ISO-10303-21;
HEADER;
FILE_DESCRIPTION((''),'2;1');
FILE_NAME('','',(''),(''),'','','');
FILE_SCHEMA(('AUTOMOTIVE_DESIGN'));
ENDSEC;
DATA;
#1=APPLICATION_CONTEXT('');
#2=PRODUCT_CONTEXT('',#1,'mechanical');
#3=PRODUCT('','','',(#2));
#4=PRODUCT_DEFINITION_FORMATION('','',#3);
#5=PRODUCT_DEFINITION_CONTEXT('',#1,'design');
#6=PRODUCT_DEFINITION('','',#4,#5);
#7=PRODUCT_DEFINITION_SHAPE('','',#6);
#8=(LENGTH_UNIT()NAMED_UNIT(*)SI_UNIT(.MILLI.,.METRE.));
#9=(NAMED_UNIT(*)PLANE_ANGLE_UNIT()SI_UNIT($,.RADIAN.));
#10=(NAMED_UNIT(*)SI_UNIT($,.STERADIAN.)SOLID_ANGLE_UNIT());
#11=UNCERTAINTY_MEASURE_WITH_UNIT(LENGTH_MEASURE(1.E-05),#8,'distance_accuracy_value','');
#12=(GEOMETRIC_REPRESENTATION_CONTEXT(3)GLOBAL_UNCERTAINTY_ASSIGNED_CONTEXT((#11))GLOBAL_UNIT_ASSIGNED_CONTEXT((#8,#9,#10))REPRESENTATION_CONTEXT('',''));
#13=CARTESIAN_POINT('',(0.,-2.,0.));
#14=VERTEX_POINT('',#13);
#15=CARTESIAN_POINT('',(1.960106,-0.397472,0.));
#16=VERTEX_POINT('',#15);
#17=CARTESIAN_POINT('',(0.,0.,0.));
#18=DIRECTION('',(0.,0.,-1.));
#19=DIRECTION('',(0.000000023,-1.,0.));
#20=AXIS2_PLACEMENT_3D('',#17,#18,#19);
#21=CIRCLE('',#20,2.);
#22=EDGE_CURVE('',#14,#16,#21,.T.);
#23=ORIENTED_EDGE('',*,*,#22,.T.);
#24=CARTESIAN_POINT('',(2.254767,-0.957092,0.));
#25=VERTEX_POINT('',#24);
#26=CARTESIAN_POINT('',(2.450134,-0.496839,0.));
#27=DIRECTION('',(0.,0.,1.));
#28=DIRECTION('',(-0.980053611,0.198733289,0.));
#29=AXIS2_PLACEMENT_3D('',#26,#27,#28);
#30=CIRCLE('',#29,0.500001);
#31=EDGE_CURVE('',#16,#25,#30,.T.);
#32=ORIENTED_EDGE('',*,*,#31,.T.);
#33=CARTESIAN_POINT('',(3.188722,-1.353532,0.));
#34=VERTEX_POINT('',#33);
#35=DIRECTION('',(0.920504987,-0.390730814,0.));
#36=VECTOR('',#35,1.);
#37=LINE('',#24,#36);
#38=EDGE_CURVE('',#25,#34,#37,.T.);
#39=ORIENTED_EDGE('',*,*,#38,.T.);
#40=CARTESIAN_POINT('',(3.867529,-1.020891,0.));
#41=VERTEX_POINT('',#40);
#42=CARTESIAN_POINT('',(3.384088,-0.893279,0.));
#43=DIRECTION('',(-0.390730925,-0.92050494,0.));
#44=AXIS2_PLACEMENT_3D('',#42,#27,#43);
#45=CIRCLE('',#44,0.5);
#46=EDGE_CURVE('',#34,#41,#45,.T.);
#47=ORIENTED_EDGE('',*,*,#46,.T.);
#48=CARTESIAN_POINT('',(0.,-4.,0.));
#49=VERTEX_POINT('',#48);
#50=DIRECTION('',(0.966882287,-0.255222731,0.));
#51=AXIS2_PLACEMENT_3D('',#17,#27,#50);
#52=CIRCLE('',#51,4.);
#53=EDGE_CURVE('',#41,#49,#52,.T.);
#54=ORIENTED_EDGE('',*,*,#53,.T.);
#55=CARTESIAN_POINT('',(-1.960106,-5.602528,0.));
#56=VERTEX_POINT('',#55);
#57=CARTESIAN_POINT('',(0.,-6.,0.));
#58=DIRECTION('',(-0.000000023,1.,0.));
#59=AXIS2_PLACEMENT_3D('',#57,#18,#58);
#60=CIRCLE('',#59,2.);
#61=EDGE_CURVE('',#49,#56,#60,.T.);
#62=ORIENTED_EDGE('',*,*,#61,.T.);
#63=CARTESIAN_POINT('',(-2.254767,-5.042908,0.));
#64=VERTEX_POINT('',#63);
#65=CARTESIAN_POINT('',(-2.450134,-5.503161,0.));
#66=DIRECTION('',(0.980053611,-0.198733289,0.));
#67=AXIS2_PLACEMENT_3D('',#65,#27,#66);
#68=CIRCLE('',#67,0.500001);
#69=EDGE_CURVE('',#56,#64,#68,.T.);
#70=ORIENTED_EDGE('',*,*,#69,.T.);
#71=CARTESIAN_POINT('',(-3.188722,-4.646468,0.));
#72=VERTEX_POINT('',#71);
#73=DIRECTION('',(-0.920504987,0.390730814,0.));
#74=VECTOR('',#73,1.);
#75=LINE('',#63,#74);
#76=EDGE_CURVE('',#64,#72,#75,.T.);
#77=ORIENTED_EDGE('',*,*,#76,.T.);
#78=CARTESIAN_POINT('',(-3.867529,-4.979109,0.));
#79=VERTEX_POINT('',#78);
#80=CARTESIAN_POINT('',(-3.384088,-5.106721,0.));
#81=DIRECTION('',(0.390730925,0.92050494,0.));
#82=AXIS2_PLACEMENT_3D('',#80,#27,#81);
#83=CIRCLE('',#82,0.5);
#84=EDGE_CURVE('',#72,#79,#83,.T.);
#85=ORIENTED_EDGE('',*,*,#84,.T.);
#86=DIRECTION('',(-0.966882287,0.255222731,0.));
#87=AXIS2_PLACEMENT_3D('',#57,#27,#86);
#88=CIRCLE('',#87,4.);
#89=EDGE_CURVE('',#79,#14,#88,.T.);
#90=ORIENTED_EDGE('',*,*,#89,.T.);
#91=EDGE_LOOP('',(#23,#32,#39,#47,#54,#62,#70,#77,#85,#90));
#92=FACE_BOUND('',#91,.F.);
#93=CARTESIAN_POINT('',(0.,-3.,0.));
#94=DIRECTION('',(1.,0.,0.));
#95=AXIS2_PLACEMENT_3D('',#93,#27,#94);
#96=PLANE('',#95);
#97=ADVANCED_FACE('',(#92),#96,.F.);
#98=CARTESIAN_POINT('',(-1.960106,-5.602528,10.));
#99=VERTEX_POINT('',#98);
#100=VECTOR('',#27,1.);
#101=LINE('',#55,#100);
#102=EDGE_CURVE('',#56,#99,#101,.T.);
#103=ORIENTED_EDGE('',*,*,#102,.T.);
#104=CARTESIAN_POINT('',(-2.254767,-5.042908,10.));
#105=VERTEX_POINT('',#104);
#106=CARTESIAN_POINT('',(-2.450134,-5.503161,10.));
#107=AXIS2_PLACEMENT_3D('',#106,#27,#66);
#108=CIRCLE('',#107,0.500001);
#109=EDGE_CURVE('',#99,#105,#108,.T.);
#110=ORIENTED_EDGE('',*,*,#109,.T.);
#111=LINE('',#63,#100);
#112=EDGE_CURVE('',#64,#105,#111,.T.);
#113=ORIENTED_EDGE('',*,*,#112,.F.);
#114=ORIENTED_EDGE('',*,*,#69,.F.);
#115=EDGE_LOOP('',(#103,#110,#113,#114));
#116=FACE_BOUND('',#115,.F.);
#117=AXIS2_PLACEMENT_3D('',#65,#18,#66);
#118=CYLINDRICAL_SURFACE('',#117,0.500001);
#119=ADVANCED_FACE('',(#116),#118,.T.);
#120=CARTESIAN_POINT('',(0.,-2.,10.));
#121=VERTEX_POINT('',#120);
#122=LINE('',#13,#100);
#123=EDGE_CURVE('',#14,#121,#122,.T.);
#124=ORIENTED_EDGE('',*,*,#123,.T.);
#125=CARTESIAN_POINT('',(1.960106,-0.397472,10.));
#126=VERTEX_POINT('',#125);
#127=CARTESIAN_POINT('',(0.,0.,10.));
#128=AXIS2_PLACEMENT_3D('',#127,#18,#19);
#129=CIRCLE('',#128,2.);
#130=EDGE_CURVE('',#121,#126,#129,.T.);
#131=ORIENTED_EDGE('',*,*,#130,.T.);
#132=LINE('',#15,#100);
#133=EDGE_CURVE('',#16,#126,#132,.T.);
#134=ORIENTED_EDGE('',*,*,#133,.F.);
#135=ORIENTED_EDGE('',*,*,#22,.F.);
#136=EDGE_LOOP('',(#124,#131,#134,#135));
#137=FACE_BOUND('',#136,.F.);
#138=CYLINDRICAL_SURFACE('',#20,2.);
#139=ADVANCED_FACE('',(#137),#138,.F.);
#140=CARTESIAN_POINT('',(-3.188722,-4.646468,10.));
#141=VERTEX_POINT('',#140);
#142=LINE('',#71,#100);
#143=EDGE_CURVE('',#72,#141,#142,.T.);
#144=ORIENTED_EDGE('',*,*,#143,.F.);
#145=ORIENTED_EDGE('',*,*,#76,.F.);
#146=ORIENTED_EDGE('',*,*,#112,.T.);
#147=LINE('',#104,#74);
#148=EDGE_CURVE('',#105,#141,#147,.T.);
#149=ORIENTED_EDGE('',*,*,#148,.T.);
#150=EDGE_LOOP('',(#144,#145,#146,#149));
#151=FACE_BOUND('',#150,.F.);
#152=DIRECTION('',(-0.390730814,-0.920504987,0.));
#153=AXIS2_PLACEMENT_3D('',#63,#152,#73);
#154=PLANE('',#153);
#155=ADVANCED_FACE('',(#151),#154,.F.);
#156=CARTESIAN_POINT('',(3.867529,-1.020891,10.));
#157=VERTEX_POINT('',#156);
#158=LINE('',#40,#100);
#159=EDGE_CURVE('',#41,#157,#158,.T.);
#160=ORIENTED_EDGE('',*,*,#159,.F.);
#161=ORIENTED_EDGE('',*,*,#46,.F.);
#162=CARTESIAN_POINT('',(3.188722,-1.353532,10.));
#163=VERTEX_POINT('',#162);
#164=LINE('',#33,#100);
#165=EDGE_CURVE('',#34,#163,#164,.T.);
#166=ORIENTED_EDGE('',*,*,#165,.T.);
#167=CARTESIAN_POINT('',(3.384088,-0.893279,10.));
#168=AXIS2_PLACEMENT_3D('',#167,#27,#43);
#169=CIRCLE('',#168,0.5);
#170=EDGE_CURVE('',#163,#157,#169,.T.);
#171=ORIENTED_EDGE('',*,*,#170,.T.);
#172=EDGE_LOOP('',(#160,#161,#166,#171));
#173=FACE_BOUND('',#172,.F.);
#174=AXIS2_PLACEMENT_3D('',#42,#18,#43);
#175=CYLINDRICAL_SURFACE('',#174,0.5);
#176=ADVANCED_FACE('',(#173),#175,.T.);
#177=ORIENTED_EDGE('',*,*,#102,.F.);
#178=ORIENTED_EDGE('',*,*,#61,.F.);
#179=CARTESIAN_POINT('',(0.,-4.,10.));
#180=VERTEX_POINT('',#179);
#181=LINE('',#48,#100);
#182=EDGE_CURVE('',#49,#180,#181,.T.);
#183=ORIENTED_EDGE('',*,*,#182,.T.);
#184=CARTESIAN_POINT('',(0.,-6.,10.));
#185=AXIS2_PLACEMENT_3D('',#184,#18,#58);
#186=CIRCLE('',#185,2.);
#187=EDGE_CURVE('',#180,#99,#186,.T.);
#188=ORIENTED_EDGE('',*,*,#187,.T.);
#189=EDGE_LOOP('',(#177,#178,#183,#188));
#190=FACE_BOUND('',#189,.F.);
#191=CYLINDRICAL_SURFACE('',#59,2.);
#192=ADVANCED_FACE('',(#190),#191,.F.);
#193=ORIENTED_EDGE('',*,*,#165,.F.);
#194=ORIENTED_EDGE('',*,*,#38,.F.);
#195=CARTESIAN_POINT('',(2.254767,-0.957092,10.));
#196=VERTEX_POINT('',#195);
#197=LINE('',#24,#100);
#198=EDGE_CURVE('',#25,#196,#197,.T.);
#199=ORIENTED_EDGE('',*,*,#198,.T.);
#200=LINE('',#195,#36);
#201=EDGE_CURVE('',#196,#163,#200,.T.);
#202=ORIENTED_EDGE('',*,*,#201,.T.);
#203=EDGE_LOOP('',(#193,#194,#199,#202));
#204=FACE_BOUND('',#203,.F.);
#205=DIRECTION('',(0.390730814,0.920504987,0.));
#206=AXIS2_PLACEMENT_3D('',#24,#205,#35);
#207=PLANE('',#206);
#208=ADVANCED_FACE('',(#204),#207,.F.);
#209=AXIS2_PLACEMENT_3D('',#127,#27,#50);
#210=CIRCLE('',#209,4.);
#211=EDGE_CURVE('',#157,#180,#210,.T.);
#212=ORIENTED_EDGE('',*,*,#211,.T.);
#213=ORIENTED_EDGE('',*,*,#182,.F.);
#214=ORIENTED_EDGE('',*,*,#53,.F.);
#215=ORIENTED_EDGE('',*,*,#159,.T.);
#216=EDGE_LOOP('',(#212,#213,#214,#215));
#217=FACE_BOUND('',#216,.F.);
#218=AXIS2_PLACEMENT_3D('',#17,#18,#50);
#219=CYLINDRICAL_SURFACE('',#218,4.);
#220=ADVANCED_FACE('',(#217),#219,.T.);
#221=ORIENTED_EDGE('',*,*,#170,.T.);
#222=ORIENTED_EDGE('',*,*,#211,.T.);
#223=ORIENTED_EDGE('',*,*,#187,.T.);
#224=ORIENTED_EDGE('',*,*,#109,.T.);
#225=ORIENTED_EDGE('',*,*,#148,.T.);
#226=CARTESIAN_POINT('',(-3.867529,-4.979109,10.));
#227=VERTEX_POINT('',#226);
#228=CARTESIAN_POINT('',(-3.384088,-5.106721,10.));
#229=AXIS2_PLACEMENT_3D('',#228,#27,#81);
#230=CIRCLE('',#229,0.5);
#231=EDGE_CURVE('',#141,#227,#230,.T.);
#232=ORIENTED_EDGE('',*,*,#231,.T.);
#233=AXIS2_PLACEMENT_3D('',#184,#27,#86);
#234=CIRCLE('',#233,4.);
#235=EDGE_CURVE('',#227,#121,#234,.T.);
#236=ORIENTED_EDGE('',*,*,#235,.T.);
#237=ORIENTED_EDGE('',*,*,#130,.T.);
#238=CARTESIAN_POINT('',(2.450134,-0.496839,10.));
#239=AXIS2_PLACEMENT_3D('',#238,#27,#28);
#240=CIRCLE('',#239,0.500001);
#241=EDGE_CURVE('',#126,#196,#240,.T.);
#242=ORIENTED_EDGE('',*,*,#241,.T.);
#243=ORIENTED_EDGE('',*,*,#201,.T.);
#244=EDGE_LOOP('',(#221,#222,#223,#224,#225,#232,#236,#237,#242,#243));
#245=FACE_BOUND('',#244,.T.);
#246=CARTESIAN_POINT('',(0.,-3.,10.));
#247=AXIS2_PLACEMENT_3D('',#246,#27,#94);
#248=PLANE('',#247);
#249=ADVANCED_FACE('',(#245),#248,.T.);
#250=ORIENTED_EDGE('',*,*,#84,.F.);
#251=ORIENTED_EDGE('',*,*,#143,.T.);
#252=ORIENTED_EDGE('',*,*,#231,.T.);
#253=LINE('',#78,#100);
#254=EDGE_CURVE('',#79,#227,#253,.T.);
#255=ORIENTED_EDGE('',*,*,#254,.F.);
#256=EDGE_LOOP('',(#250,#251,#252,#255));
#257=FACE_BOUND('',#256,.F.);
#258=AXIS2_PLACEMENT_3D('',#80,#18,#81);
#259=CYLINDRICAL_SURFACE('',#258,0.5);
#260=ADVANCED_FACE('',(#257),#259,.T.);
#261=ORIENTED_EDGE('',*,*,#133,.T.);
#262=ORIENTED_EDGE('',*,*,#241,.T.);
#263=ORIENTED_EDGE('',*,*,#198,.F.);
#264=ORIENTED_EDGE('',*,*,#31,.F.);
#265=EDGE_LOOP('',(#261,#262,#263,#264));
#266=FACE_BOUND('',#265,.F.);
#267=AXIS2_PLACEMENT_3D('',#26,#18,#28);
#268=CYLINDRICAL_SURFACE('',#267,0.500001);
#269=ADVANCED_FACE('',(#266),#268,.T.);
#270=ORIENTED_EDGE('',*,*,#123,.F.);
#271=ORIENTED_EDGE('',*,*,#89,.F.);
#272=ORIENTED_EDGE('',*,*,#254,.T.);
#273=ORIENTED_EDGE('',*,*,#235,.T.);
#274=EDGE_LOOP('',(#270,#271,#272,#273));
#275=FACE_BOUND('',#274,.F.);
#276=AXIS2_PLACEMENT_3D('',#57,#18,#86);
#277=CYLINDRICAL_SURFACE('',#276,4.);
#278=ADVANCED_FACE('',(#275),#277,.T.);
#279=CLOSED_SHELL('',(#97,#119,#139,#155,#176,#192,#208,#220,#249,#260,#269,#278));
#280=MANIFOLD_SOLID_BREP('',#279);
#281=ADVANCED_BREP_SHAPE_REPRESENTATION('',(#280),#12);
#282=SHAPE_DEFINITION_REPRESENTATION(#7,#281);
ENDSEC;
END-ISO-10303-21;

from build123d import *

# Parameters (mm, degrees)
F1_DEPTH = 10


with BuildPart() as f1:
    # F0 (on Top) → F1 (new body)
    with BuildSketch(Plane.XY):
        with BuildLine():
            ThreePointArc((0, -2), (-1.26591, 1.548377), (1.960106, -0.397472))
            ThreePointArc((1.960106, -0.397472), (2.007714, -0.729789), (2.254767, -0.957092))
            Line((2.254767, -0.957092), (3.188722, -1.353532))
            ThreePointArc((3.188722, -1.353532), (3.604109, -1.342268), (3.867529, -1.020891))
            ThreePointArc((3.867529, -1.020891), (-2.440946, 3.168877), (0, -4))
            ThreePointArc((0, -4), (1.26591, -7.548377), (-1.960106, -5.602528))
            ThreePointArc((-1.960106, -5.602528), (-2.007714, -5.270211), (-2.254767, -5.042908))
            Line((-2.254767, -5.042908), (-3.188722, -4.646468))
            ThreePointArc((-3.188722, -4.646468), (-3.604109, -4.657732), (-3.867529, -4.979109))
            ThreePointArc((-3.867529, -4.979109), (2.440946, -9.168877), (0, -2))
        make_face()
    extrude(amount=F1_DEPTH)


solid = f1.part
